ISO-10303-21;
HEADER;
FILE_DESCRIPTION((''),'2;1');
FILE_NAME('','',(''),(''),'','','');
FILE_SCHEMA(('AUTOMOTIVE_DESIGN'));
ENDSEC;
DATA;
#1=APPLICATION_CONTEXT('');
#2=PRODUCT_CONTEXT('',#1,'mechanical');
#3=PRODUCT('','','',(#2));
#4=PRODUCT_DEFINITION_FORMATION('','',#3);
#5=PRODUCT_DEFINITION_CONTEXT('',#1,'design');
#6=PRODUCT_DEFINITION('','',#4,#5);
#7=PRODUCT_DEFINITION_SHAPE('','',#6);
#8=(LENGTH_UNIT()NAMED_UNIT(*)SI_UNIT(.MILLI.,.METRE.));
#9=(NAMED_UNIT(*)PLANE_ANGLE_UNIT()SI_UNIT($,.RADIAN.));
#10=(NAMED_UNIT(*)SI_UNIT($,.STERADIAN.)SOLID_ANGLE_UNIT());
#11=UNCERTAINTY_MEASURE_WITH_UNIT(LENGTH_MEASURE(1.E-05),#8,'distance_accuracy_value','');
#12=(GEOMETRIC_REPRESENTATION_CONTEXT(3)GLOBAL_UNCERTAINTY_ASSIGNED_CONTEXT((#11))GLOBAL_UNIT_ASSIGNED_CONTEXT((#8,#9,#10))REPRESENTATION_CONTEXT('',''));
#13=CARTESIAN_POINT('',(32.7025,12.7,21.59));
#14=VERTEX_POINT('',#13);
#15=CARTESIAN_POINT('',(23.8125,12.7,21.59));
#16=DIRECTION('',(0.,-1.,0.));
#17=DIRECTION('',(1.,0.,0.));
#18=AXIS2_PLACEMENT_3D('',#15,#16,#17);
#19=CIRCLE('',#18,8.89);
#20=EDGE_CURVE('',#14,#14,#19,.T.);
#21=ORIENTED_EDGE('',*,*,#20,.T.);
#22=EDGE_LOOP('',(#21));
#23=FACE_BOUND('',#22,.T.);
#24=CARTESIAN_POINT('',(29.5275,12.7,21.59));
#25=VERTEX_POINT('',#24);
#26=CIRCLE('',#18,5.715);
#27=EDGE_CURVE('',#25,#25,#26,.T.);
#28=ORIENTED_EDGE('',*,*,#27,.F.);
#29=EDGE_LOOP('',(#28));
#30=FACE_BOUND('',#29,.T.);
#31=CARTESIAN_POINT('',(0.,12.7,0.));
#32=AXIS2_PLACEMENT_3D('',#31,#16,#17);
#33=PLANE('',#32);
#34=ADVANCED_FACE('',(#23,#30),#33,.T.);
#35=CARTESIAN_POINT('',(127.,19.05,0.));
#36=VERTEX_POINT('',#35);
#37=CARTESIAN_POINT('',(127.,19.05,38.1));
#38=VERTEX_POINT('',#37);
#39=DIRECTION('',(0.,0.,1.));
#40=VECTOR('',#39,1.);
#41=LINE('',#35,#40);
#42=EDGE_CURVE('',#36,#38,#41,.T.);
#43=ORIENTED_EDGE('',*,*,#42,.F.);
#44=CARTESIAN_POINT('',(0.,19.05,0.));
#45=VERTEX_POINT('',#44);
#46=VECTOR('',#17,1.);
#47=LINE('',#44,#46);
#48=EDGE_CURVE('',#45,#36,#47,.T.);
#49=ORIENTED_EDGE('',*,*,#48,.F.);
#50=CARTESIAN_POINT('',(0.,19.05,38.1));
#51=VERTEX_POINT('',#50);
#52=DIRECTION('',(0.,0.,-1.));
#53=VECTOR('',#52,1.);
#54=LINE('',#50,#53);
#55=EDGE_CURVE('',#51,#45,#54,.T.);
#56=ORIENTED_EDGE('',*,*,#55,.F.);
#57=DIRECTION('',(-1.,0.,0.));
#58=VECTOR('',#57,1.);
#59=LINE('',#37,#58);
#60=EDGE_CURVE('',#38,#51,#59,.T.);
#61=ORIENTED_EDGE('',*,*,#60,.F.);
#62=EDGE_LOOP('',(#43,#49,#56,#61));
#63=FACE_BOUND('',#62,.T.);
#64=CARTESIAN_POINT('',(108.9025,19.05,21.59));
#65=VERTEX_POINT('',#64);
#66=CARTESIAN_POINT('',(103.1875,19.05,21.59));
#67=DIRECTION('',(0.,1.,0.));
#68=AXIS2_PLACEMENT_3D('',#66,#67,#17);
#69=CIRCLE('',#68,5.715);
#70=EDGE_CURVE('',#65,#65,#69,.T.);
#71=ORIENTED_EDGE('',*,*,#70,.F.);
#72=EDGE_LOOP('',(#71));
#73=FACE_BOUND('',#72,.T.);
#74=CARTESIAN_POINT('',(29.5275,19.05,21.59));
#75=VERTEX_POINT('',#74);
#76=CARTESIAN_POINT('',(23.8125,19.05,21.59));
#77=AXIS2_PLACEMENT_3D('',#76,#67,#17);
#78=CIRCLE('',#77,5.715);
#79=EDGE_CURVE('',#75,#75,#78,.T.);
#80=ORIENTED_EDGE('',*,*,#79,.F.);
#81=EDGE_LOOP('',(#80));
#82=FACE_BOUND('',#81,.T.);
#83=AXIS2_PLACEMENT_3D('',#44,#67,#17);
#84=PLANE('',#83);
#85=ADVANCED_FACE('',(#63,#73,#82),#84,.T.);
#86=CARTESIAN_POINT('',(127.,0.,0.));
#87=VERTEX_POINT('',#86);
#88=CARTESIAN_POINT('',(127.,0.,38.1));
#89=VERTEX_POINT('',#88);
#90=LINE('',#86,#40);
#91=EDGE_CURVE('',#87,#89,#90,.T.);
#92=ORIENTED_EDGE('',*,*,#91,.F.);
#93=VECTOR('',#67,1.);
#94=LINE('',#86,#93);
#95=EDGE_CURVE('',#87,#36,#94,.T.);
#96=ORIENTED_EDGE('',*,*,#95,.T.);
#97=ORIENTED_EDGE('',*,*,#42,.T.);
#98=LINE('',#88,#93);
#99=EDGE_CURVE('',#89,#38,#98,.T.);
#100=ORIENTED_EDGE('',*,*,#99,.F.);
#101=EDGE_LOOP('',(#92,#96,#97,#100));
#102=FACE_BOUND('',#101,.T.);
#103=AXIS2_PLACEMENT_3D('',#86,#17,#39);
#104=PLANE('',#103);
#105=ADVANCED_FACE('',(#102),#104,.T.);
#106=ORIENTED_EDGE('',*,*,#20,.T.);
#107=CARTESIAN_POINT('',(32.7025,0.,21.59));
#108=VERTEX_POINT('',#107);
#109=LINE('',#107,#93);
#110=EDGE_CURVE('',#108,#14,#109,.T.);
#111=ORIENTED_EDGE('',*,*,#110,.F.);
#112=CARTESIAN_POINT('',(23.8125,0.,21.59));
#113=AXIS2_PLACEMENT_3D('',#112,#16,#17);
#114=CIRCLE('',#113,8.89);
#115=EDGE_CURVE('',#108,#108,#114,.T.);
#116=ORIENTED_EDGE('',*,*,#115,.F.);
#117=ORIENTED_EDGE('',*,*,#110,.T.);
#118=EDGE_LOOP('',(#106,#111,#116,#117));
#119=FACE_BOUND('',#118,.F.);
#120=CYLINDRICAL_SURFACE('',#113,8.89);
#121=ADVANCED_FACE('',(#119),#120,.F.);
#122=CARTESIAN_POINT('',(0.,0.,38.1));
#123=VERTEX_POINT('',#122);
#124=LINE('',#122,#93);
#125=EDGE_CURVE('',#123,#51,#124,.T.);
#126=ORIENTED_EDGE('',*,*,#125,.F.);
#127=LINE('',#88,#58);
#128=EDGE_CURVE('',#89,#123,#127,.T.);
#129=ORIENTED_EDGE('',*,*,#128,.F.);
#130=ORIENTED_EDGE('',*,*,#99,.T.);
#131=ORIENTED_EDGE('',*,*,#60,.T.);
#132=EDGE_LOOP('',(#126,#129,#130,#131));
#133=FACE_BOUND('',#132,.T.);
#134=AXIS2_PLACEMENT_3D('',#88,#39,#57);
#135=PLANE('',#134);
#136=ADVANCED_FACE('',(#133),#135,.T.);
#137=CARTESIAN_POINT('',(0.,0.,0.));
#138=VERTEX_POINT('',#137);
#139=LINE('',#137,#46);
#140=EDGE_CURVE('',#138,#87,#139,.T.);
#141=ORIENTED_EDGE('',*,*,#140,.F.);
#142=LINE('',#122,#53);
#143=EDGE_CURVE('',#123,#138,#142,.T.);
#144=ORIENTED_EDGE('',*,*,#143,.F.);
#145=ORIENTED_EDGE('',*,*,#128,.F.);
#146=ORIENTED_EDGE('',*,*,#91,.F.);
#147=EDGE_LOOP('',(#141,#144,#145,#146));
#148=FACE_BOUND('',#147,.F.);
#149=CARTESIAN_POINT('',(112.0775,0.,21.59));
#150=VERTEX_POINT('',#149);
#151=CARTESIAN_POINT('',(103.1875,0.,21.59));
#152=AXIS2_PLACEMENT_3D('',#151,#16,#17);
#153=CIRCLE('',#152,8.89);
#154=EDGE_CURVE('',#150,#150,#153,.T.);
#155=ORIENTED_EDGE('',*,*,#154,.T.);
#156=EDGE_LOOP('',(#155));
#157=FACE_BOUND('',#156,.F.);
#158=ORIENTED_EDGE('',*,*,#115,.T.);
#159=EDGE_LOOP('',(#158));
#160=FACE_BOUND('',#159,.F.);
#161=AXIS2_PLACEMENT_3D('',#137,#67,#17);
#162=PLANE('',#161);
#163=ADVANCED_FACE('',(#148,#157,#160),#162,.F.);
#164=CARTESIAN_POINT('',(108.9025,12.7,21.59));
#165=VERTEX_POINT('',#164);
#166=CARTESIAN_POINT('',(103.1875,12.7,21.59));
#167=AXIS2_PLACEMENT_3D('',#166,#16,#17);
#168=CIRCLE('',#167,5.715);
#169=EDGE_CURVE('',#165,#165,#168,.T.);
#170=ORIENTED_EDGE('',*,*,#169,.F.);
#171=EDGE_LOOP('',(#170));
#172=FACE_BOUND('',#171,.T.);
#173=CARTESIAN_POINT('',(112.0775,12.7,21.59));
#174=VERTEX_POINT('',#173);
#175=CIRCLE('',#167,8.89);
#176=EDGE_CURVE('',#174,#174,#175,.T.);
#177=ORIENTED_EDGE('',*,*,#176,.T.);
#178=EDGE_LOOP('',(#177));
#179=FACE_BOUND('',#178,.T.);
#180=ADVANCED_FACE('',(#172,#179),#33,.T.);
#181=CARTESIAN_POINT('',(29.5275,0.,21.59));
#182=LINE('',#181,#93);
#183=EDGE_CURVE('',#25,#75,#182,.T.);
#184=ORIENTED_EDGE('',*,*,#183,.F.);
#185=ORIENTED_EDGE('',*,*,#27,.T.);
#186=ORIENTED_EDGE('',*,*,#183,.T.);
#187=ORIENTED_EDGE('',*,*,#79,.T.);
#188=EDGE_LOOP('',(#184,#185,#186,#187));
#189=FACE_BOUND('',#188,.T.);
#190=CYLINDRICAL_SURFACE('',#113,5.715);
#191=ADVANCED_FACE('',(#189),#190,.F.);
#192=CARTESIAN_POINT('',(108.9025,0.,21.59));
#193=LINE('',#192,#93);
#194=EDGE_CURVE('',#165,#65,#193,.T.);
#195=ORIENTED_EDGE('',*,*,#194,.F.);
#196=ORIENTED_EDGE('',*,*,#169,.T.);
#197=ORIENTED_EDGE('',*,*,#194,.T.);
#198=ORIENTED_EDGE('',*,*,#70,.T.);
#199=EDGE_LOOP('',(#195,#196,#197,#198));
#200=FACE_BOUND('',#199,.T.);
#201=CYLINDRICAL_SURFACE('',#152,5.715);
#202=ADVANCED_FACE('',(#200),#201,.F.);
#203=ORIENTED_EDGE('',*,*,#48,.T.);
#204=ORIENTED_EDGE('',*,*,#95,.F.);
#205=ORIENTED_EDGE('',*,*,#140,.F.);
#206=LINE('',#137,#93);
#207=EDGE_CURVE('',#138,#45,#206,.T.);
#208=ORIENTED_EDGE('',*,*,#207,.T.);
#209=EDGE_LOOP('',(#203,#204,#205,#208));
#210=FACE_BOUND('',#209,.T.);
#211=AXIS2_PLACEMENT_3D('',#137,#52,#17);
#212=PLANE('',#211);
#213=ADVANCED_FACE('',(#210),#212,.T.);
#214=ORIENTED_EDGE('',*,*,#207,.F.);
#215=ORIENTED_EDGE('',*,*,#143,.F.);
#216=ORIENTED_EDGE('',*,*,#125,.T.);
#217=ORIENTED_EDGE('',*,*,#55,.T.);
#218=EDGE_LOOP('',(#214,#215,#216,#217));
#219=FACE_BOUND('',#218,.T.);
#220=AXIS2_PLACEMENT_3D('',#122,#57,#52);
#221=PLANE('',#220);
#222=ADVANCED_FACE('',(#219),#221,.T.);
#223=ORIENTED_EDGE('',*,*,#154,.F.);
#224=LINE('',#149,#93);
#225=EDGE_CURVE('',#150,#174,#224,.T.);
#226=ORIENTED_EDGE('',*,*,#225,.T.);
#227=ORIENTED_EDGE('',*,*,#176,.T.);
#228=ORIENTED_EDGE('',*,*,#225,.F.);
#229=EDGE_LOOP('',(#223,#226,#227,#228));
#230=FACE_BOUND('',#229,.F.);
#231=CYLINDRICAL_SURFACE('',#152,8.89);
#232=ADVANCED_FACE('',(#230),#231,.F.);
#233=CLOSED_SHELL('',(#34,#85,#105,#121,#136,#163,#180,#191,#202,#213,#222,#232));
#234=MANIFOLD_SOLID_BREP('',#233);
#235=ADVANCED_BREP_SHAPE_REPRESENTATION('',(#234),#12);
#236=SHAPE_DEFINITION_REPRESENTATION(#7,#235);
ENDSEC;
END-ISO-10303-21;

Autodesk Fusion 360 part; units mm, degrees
sketch "Sketch1" plane through (0, 0, 0) normal (0, 1, 0) x (1, 0, 0) in component "softJaws"
  line L0 (0, 0) -> (127, 0)
  line L1 (127, 0) -> (127, -38.1)
  line L2 (127, -38.1) -> (0, -38.1)
  line L3 (0, -38.1) -> (0, 0)
  circle A0 centre (23.8125, -21.59) radius 5.715
  line L4 (23.8125, -21.59) -> (103.1875, -21.59) construction
  circle A1 centre (103.1875, -21.59) radius 5.715
  line L5 (63.5, -38.1) -> (63.5, 0) construction
  point P0 (63.5, -21.59)
  dimension "d1" = 127
  dimension "d2" = 38.1
  dimension "d3" = 11.43
  dimension "d4" = 21.59
  dimension "d6" = 79.375
  dimension "d7" = 11.43
extrude "Extrude1" add sketch "Sketch1" along normal blind 19.05 in component "softJaws"
sketch "Sketch2" plane through (0, 0, 0) normal (0, -1, 0) x (1, 0, 0) in component "softJaws"
  circle A0 centre (103.1875, 21.59) radius 5.715
  circle A1 centre (23.8125, 21.59) radius 5.715
  line L0 (127, 38.1) -> (0, 38.1)
  line L1 (0, 38.1) -> (0, 0)
  line L2 (0, 0) -> (127, 0)
  line L3 (127, 0) -> (127, 38.1)
  circle A2 centre (23.8125, 21.59) radius 8.89
  circle A3 centre (103.1875, 21.59) radius 8.89
  dimension "d10" = 17.78
  dimension "d11" = 17.78
extrude "Extrude2" cut sketch "Sketch2" against normal blind 12.7 contours A2 | A3 in component "softJaws"
component "softJaws" placed x (1, 0, 0) y (0, 1, 0) z (0, 0, 1) at (0, 0, 0)
equation "d4 = d2 / 2 + 0.1 in"
